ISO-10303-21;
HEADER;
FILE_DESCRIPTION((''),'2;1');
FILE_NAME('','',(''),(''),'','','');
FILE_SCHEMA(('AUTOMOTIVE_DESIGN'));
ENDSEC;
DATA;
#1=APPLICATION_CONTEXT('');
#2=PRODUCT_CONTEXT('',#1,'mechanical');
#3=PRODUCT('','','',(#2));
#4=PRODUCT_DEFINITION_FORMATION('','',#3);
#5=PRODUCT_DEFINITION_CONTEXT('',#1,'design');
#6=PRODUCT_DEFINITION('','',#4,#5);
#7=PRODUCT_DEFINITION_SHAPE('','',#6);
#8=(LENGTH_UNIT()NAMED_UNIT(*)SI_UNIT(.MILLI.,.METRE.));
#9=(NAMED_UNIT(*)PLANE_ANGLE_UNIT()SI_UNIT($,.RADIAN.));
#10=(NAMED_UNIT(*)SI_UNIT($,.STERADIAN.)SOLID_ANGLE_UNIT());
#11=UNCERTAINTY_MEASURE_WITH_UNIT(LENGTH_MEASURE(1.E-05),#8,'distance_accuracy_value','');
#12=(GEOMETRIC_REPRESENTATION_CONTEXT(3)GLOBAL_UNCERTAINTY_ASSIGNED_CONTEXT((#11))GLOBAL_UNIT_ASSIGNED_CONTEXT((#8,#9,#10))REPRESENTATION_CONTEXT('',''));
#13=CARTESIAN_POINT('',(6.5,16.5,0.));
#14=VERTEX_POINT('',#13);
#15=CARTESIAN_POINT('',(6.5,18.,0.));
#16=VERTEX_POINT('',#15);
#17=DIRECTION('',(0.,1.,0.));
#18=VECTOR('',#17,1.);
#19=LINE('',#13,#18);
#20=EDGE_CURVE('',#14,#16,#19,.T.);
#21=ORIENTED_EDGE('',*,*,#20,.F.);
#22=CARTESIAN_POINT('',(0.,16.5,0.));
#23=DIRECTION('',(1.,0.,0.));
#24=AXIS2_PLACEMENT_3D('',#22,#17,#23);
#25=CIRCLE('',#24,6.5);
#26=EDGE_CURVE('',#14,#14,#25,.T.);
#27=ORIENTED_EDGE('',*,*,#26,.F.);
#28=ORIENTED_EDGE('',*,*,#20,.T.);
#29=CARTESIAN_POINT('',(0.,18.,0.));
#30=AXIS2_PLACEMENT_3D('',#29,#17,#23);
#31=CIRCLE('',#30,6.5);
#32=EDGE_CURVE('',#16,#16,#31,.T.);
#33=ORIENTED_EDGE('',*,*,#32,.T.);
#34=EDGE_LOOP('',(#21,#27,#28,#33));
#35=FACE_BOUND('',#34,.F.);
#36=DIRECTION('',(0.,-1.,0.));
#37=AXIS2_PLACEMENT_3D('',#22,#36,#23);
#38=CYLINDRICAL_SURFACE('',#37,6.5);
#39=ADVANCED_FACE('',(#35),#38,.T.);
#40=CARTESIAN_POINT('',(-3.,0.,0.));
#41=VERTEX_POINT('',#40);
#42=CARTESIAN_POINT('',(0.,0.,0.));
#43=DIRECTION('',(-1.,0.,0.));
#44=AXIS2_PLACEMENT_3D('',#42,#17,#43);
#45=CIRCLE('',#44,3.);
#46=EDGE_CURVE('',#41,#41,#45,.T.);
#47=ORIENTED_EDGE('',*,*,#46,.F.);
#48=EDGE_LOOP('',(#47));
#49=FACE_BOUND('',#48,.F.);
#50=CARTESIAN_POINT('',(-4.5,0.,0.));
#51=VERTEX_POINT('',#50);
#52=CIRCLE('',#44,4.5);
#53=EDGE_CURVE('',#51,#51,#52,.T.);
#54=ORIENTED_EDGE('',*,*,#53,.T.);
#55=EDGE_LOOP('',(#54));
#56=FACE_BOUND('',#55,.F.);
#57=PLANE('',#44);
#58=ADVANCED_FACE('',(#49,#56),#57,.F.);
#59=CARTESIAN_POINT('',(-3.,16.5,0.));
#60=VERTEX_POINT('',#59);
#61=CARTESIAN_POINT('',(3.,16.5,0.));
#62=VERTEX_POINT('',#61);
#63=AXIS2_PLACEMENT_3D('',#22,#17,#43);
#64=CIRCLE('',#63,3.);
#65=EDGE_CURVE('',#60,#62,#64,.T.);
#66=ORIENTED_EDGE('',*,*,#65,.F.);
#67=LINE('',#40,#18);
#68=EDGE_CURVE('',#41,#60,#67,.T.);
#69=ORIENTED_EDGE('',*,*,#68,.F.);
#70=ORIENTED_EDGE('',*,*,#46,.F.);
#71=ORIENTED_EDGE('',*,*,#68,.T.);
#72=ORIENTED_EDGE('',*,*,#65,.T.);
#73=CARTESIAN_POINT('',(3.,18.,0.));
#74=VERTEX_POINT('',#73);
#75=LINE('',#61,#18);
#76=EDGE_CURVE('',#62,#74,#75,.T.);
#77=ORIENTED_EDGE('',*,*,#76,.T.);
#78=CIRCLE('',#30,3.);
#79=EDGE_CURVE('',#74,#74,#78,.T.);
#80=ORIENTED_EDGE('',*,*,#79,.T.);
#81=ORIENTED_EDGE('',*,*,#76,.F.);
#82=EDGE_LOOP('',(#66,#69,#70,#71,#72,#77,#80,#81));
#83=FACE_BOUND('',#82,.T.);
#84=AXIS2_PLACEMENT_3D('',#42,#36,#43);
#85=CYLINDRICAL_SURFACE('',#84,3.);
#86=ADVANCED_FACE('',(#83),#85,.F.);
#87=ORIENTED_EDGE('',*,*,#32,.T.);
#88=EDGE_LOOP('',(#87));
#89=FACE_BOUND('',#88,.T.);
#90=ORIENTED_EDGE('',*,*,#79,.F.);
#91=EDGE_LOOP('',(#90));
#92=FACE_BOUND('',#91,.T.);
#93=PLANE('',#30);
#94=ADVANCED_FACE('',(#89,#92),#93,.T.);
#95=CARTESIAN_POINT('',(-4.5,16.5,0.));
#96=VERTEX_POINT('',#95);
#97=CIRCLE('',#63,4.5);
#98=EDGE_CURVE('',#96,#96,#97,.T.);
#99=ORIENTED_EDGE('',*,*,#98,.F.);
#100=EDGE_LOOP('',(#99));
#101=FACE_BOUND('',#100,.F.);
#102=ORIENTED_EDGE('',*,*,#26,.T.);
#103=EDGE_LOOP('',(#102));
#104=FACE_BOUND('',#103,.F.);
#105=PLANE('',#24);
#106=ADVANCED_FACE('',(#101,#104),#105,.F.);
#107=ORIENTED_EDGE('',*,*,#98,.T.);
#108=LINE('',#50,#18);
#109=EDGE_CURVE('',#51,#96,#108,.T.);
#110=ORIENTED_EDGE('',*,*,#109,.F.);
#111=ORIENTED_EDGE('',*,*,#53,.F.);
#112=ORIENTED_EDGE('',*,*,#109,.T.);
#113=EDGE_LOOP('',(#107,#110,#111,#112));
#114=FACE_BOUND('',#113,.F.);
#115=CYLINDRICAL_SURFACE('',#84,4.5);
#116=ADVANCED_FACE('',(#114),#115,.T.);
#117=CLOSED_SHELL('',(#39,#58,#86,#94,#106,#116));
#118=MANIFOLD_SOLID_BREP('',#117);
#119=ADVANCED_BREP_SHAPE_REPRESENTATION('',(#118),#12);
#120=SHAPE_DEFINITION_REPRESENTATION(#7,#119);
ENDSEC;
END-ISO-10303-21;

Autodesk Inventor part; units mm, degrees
ref_plane "YZ Plane" through (0, 0, 0) normal (1, 0, 0) x (0, 1, 0)
ref_plane "XZ Plane" through (0, 0, 0) normal (0, 1, 0) x (-1, 0, 0)
ref_plane "XY Plane" through (0, 0, 0) normal (0, 0, 1) x (1, 0, 0)
sketch "Sketch1" plane through (0, 0, 0) normal (0, 1, 0) x (-1, 0, 0)
  circle A0 centre (0, 0) radius 3
  circle A1 centre (0, 0) radius 4.5
  dimension "d0" = 6
  dimension "d1" = 9
extrude "Extrusion1" add sketch "Sketch1" along normal blind 16.5
sketch "Sketch2" plane through (0, 16.5, 0) normal (0, 1, 0) x (1, 0, 0)
  circle A0 centre (0, 0) radius 3
  circle A1 centre (0, 0) radius 6.5
  dimension "d4" = 13
  dimension "d5" = 6
extrude "Extrusion2" add sketch "Sketch2" along normal blind 1.5
properties part number "18mm_Bushing"
